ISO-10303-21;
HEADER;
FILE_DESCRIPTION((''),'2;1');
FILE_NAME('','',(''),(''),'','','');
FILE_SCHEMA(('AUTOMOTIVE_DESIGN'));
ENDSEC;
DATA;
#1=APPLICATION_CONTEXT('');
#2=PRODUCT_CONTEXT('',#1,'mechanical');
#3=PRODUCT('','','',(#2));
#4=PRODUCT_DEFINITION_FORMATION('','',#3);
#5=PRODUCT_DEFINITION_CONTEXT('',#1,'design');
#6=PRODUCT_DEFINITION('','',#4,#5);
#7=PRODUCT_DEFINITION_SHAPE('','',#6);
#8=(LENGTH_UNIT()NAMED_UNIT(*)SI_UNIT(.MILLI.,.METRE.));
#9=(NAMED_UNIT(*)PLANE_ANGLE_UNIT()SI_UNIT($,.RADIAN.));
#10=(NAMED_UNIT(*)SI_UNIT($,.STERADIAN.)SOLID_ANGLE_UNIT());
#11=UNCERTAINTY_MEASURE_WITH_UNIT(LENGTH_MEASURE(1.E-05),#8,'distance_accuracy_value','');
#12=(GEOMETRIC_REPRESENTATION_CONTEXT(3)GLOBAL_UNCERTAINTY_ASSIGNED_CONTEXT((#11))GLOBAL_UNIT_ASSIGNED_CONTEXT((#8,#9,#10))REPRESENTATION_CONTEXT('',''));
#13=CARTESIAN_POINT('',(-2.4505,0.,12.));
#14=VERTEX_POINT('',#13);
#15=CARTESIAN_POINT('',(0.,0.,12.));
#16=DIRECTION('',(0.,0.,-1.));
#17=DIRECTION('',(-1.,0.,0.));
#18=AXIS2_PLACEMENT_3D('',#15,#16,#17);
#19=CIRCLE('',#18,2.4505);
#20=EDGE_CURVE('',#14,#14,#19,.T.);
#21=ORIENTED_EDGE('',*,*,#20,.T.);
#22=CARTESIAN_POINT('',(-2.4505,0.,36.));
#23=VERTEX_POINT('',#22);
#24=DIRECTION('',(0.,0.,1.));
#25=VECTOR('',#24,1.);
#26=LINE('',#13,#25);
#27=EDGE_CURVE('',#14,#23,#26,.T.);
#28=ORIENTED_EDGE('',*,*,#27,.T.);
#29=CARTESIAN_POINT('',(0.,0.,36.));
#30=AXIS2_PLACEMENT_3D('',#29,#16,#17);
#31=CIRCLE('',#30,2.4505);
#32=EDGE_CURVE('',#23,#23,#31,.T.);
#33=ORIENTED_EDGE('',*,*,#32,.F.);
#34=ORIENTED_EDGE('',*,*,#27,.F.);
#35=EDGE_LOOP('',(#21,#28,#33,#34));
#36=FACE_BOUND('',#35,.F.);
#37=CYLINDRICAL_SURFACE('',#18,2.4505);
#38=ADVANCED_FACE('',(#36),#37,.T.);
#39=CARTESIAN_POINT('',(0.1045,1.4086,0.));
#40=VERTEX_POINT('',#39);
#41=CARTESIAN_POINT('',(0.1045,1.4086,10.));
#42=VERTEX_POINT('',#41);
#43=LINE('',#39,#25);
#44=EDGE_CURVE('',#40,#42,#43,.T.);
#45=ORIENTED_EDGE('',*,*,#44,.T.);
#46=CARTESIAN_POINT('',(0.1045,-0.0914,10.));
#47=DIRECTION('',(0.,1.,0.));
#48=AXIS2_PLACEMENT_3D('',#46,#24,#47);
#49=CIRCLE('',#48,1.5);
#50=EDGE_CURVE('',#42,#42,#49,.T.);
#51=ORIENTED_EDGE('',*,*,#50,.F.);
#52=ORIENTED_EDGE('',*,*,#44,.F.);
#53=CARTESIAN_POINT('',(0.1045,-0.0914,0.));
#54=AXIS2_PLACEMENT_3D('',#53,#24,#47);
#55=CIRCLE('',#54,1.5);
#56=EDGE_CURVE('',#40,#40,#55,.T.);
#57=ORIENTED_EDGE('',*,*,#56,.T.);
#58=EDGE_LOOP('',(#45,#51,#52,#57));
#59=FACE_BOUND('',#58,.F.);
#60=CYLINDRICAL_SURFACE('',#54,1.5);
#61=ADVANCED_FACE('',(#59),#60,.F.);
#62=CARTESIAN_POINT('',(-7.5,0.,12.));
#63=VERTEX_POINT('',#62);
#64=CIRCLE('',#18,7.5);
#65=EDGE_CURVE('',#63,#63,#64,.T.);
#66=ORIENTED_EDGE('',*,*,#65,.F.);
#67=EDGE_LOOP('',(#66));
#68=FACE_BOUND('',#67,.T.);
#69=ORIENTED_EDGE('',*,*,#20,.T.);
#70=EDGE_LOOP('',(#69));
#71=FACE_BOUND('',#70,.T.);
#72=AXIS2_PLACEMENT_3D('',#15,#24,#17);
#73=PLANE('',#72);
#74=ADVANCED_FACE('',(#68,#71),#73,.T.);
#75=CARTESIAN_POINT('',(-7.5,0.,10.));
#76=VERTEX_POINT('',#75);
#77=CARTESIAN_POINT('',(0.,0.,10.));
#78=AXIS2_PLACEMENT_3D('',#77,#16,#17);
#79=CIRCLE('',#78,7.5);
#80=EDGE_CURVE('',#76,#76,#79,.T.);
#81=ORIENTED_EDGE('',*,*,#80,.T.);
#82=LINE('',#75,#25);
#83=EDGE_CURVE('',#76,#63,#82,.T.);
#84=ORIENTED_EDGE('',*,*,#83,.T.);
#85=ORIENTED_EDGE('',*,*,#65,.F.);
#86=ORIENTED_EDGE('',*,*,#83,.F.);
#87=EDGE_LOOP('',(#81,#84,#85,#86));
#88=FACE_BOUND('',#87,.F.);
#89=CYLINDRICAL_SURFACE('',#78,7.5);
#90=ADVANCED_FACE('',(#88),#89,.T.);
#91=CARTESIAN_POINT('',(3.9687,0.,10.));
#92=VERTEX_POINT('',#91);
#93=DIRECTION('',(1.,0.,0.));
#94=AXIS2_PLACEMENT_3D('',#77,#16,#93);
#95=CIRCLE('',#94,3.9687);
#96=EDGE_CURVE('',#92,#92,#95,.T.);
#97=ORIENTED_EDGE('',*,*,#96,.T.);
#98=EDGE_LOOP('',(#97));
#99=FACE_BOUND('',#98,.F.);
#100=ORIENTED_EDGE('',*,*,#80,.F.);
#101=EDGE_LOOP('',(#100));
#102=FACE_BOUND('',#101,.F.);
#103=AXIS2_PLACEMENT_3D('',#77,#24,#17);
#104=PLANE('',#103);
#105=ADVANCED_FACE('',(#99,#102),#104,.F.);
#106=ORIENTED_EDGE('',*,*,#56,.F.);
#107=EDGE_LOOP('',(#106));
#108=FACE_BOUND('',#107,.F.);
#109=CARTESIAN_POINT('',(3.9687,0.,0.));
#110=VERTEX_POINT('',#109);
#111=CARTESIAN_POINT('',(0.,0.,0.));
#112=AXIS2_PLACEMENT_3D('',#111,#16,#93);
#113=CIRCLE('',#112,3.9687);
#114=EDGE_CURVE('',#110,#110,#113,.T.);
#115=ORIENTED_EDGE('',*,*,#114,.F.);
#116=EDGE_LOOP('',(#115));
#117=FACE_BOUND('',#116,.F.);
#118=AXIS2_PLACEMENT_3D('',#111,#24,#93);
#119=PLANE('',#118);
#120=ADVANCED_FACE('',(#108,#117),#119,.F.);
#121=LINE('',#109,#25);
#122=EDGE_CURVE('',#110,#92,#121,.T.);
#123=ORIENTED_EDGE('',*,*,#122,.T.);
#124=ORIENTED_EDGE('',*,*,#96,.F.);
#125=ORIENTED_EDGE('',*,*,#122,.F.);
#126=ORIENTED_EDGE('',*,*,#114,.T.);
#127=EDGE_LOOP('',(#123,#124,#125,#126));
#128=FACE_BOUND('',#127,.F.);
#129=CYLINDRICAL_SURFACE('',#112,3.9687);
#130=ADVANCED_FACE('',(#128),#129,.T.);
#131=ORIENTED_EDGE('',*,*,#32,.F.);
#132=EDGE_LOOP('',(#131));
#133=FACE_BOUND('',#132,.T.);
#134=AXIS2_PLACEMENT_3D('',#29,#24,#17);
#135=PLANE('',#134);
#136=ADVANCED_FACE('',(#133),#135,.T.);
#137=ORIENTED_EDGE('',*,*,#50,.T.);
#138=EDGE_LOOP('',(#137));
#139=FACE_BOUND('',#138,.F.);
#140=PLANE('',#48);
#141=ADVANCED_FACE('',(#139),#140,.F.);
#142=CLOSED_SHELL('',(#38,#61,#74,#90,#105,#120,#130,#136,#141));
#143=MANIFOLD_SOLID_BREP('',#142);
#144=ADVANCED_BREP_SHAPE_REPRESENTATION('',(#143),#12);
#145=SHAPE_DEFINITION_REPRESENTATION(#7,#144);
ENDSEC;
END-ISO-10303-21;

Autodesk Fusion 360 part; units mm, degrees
sketch "Sketch1" plane through (0, 0, 0) normal (0, 0, 1) x (1, 0, 0) in component "Component"
  circle A0 centre (0, 0) radius 3.9687
  dimension "d1" = 7.9375
extrude "Extrude1" add sketch "Sketch1" along normal blind 10 in component "Component"
sketch "Sketch2" plane through (0, 0, 10) normal (0, 0, 1) x (-1, 0, 0) in component "Component"
  circle A0 centre (0, 0) radius 3.9687
  circle A1 centre (0, 0) radius 7.5
  dimension "d4" = 15
extrude "Extrude2" add sketch "Sketch2" along normal blind 2 contours A0 | A1 in component "Component"
sketch "Sketch3" plane through (0, 0, 12) normal (0, 0, 1) x (-1, 0, 0) in component "Component"
  circle A0 centre (0, 0) radius 7.5
  circle A1 centre (0, 0) radius 2.5
  dimension "d7" = 5
extrude "Extrude3" add sketch "Sketch3" along normal blind 24 contours A1 in component "Component"
thread "Thread1" "ISO Metric profile 5.0 M5x0.8 6g" major diameter 4.901 minor diameter 3.9895 pitch 0.8 angle 60 resizes the face on face at (-2.4969, 0.1246, 28) in component "Component"
hole "Hole1" at (0.1045, -0.0914, 0) direction (0, 0, 1) diameter 3 depth 10 tip angle 180 in component "Component"
component "Component" placed x (1, 0, 0) y (0, 1, 0) z (0, 0, 1) at (0, 0, 0)
equation "d1 = ( 5 / 16 ) * 1 in"
